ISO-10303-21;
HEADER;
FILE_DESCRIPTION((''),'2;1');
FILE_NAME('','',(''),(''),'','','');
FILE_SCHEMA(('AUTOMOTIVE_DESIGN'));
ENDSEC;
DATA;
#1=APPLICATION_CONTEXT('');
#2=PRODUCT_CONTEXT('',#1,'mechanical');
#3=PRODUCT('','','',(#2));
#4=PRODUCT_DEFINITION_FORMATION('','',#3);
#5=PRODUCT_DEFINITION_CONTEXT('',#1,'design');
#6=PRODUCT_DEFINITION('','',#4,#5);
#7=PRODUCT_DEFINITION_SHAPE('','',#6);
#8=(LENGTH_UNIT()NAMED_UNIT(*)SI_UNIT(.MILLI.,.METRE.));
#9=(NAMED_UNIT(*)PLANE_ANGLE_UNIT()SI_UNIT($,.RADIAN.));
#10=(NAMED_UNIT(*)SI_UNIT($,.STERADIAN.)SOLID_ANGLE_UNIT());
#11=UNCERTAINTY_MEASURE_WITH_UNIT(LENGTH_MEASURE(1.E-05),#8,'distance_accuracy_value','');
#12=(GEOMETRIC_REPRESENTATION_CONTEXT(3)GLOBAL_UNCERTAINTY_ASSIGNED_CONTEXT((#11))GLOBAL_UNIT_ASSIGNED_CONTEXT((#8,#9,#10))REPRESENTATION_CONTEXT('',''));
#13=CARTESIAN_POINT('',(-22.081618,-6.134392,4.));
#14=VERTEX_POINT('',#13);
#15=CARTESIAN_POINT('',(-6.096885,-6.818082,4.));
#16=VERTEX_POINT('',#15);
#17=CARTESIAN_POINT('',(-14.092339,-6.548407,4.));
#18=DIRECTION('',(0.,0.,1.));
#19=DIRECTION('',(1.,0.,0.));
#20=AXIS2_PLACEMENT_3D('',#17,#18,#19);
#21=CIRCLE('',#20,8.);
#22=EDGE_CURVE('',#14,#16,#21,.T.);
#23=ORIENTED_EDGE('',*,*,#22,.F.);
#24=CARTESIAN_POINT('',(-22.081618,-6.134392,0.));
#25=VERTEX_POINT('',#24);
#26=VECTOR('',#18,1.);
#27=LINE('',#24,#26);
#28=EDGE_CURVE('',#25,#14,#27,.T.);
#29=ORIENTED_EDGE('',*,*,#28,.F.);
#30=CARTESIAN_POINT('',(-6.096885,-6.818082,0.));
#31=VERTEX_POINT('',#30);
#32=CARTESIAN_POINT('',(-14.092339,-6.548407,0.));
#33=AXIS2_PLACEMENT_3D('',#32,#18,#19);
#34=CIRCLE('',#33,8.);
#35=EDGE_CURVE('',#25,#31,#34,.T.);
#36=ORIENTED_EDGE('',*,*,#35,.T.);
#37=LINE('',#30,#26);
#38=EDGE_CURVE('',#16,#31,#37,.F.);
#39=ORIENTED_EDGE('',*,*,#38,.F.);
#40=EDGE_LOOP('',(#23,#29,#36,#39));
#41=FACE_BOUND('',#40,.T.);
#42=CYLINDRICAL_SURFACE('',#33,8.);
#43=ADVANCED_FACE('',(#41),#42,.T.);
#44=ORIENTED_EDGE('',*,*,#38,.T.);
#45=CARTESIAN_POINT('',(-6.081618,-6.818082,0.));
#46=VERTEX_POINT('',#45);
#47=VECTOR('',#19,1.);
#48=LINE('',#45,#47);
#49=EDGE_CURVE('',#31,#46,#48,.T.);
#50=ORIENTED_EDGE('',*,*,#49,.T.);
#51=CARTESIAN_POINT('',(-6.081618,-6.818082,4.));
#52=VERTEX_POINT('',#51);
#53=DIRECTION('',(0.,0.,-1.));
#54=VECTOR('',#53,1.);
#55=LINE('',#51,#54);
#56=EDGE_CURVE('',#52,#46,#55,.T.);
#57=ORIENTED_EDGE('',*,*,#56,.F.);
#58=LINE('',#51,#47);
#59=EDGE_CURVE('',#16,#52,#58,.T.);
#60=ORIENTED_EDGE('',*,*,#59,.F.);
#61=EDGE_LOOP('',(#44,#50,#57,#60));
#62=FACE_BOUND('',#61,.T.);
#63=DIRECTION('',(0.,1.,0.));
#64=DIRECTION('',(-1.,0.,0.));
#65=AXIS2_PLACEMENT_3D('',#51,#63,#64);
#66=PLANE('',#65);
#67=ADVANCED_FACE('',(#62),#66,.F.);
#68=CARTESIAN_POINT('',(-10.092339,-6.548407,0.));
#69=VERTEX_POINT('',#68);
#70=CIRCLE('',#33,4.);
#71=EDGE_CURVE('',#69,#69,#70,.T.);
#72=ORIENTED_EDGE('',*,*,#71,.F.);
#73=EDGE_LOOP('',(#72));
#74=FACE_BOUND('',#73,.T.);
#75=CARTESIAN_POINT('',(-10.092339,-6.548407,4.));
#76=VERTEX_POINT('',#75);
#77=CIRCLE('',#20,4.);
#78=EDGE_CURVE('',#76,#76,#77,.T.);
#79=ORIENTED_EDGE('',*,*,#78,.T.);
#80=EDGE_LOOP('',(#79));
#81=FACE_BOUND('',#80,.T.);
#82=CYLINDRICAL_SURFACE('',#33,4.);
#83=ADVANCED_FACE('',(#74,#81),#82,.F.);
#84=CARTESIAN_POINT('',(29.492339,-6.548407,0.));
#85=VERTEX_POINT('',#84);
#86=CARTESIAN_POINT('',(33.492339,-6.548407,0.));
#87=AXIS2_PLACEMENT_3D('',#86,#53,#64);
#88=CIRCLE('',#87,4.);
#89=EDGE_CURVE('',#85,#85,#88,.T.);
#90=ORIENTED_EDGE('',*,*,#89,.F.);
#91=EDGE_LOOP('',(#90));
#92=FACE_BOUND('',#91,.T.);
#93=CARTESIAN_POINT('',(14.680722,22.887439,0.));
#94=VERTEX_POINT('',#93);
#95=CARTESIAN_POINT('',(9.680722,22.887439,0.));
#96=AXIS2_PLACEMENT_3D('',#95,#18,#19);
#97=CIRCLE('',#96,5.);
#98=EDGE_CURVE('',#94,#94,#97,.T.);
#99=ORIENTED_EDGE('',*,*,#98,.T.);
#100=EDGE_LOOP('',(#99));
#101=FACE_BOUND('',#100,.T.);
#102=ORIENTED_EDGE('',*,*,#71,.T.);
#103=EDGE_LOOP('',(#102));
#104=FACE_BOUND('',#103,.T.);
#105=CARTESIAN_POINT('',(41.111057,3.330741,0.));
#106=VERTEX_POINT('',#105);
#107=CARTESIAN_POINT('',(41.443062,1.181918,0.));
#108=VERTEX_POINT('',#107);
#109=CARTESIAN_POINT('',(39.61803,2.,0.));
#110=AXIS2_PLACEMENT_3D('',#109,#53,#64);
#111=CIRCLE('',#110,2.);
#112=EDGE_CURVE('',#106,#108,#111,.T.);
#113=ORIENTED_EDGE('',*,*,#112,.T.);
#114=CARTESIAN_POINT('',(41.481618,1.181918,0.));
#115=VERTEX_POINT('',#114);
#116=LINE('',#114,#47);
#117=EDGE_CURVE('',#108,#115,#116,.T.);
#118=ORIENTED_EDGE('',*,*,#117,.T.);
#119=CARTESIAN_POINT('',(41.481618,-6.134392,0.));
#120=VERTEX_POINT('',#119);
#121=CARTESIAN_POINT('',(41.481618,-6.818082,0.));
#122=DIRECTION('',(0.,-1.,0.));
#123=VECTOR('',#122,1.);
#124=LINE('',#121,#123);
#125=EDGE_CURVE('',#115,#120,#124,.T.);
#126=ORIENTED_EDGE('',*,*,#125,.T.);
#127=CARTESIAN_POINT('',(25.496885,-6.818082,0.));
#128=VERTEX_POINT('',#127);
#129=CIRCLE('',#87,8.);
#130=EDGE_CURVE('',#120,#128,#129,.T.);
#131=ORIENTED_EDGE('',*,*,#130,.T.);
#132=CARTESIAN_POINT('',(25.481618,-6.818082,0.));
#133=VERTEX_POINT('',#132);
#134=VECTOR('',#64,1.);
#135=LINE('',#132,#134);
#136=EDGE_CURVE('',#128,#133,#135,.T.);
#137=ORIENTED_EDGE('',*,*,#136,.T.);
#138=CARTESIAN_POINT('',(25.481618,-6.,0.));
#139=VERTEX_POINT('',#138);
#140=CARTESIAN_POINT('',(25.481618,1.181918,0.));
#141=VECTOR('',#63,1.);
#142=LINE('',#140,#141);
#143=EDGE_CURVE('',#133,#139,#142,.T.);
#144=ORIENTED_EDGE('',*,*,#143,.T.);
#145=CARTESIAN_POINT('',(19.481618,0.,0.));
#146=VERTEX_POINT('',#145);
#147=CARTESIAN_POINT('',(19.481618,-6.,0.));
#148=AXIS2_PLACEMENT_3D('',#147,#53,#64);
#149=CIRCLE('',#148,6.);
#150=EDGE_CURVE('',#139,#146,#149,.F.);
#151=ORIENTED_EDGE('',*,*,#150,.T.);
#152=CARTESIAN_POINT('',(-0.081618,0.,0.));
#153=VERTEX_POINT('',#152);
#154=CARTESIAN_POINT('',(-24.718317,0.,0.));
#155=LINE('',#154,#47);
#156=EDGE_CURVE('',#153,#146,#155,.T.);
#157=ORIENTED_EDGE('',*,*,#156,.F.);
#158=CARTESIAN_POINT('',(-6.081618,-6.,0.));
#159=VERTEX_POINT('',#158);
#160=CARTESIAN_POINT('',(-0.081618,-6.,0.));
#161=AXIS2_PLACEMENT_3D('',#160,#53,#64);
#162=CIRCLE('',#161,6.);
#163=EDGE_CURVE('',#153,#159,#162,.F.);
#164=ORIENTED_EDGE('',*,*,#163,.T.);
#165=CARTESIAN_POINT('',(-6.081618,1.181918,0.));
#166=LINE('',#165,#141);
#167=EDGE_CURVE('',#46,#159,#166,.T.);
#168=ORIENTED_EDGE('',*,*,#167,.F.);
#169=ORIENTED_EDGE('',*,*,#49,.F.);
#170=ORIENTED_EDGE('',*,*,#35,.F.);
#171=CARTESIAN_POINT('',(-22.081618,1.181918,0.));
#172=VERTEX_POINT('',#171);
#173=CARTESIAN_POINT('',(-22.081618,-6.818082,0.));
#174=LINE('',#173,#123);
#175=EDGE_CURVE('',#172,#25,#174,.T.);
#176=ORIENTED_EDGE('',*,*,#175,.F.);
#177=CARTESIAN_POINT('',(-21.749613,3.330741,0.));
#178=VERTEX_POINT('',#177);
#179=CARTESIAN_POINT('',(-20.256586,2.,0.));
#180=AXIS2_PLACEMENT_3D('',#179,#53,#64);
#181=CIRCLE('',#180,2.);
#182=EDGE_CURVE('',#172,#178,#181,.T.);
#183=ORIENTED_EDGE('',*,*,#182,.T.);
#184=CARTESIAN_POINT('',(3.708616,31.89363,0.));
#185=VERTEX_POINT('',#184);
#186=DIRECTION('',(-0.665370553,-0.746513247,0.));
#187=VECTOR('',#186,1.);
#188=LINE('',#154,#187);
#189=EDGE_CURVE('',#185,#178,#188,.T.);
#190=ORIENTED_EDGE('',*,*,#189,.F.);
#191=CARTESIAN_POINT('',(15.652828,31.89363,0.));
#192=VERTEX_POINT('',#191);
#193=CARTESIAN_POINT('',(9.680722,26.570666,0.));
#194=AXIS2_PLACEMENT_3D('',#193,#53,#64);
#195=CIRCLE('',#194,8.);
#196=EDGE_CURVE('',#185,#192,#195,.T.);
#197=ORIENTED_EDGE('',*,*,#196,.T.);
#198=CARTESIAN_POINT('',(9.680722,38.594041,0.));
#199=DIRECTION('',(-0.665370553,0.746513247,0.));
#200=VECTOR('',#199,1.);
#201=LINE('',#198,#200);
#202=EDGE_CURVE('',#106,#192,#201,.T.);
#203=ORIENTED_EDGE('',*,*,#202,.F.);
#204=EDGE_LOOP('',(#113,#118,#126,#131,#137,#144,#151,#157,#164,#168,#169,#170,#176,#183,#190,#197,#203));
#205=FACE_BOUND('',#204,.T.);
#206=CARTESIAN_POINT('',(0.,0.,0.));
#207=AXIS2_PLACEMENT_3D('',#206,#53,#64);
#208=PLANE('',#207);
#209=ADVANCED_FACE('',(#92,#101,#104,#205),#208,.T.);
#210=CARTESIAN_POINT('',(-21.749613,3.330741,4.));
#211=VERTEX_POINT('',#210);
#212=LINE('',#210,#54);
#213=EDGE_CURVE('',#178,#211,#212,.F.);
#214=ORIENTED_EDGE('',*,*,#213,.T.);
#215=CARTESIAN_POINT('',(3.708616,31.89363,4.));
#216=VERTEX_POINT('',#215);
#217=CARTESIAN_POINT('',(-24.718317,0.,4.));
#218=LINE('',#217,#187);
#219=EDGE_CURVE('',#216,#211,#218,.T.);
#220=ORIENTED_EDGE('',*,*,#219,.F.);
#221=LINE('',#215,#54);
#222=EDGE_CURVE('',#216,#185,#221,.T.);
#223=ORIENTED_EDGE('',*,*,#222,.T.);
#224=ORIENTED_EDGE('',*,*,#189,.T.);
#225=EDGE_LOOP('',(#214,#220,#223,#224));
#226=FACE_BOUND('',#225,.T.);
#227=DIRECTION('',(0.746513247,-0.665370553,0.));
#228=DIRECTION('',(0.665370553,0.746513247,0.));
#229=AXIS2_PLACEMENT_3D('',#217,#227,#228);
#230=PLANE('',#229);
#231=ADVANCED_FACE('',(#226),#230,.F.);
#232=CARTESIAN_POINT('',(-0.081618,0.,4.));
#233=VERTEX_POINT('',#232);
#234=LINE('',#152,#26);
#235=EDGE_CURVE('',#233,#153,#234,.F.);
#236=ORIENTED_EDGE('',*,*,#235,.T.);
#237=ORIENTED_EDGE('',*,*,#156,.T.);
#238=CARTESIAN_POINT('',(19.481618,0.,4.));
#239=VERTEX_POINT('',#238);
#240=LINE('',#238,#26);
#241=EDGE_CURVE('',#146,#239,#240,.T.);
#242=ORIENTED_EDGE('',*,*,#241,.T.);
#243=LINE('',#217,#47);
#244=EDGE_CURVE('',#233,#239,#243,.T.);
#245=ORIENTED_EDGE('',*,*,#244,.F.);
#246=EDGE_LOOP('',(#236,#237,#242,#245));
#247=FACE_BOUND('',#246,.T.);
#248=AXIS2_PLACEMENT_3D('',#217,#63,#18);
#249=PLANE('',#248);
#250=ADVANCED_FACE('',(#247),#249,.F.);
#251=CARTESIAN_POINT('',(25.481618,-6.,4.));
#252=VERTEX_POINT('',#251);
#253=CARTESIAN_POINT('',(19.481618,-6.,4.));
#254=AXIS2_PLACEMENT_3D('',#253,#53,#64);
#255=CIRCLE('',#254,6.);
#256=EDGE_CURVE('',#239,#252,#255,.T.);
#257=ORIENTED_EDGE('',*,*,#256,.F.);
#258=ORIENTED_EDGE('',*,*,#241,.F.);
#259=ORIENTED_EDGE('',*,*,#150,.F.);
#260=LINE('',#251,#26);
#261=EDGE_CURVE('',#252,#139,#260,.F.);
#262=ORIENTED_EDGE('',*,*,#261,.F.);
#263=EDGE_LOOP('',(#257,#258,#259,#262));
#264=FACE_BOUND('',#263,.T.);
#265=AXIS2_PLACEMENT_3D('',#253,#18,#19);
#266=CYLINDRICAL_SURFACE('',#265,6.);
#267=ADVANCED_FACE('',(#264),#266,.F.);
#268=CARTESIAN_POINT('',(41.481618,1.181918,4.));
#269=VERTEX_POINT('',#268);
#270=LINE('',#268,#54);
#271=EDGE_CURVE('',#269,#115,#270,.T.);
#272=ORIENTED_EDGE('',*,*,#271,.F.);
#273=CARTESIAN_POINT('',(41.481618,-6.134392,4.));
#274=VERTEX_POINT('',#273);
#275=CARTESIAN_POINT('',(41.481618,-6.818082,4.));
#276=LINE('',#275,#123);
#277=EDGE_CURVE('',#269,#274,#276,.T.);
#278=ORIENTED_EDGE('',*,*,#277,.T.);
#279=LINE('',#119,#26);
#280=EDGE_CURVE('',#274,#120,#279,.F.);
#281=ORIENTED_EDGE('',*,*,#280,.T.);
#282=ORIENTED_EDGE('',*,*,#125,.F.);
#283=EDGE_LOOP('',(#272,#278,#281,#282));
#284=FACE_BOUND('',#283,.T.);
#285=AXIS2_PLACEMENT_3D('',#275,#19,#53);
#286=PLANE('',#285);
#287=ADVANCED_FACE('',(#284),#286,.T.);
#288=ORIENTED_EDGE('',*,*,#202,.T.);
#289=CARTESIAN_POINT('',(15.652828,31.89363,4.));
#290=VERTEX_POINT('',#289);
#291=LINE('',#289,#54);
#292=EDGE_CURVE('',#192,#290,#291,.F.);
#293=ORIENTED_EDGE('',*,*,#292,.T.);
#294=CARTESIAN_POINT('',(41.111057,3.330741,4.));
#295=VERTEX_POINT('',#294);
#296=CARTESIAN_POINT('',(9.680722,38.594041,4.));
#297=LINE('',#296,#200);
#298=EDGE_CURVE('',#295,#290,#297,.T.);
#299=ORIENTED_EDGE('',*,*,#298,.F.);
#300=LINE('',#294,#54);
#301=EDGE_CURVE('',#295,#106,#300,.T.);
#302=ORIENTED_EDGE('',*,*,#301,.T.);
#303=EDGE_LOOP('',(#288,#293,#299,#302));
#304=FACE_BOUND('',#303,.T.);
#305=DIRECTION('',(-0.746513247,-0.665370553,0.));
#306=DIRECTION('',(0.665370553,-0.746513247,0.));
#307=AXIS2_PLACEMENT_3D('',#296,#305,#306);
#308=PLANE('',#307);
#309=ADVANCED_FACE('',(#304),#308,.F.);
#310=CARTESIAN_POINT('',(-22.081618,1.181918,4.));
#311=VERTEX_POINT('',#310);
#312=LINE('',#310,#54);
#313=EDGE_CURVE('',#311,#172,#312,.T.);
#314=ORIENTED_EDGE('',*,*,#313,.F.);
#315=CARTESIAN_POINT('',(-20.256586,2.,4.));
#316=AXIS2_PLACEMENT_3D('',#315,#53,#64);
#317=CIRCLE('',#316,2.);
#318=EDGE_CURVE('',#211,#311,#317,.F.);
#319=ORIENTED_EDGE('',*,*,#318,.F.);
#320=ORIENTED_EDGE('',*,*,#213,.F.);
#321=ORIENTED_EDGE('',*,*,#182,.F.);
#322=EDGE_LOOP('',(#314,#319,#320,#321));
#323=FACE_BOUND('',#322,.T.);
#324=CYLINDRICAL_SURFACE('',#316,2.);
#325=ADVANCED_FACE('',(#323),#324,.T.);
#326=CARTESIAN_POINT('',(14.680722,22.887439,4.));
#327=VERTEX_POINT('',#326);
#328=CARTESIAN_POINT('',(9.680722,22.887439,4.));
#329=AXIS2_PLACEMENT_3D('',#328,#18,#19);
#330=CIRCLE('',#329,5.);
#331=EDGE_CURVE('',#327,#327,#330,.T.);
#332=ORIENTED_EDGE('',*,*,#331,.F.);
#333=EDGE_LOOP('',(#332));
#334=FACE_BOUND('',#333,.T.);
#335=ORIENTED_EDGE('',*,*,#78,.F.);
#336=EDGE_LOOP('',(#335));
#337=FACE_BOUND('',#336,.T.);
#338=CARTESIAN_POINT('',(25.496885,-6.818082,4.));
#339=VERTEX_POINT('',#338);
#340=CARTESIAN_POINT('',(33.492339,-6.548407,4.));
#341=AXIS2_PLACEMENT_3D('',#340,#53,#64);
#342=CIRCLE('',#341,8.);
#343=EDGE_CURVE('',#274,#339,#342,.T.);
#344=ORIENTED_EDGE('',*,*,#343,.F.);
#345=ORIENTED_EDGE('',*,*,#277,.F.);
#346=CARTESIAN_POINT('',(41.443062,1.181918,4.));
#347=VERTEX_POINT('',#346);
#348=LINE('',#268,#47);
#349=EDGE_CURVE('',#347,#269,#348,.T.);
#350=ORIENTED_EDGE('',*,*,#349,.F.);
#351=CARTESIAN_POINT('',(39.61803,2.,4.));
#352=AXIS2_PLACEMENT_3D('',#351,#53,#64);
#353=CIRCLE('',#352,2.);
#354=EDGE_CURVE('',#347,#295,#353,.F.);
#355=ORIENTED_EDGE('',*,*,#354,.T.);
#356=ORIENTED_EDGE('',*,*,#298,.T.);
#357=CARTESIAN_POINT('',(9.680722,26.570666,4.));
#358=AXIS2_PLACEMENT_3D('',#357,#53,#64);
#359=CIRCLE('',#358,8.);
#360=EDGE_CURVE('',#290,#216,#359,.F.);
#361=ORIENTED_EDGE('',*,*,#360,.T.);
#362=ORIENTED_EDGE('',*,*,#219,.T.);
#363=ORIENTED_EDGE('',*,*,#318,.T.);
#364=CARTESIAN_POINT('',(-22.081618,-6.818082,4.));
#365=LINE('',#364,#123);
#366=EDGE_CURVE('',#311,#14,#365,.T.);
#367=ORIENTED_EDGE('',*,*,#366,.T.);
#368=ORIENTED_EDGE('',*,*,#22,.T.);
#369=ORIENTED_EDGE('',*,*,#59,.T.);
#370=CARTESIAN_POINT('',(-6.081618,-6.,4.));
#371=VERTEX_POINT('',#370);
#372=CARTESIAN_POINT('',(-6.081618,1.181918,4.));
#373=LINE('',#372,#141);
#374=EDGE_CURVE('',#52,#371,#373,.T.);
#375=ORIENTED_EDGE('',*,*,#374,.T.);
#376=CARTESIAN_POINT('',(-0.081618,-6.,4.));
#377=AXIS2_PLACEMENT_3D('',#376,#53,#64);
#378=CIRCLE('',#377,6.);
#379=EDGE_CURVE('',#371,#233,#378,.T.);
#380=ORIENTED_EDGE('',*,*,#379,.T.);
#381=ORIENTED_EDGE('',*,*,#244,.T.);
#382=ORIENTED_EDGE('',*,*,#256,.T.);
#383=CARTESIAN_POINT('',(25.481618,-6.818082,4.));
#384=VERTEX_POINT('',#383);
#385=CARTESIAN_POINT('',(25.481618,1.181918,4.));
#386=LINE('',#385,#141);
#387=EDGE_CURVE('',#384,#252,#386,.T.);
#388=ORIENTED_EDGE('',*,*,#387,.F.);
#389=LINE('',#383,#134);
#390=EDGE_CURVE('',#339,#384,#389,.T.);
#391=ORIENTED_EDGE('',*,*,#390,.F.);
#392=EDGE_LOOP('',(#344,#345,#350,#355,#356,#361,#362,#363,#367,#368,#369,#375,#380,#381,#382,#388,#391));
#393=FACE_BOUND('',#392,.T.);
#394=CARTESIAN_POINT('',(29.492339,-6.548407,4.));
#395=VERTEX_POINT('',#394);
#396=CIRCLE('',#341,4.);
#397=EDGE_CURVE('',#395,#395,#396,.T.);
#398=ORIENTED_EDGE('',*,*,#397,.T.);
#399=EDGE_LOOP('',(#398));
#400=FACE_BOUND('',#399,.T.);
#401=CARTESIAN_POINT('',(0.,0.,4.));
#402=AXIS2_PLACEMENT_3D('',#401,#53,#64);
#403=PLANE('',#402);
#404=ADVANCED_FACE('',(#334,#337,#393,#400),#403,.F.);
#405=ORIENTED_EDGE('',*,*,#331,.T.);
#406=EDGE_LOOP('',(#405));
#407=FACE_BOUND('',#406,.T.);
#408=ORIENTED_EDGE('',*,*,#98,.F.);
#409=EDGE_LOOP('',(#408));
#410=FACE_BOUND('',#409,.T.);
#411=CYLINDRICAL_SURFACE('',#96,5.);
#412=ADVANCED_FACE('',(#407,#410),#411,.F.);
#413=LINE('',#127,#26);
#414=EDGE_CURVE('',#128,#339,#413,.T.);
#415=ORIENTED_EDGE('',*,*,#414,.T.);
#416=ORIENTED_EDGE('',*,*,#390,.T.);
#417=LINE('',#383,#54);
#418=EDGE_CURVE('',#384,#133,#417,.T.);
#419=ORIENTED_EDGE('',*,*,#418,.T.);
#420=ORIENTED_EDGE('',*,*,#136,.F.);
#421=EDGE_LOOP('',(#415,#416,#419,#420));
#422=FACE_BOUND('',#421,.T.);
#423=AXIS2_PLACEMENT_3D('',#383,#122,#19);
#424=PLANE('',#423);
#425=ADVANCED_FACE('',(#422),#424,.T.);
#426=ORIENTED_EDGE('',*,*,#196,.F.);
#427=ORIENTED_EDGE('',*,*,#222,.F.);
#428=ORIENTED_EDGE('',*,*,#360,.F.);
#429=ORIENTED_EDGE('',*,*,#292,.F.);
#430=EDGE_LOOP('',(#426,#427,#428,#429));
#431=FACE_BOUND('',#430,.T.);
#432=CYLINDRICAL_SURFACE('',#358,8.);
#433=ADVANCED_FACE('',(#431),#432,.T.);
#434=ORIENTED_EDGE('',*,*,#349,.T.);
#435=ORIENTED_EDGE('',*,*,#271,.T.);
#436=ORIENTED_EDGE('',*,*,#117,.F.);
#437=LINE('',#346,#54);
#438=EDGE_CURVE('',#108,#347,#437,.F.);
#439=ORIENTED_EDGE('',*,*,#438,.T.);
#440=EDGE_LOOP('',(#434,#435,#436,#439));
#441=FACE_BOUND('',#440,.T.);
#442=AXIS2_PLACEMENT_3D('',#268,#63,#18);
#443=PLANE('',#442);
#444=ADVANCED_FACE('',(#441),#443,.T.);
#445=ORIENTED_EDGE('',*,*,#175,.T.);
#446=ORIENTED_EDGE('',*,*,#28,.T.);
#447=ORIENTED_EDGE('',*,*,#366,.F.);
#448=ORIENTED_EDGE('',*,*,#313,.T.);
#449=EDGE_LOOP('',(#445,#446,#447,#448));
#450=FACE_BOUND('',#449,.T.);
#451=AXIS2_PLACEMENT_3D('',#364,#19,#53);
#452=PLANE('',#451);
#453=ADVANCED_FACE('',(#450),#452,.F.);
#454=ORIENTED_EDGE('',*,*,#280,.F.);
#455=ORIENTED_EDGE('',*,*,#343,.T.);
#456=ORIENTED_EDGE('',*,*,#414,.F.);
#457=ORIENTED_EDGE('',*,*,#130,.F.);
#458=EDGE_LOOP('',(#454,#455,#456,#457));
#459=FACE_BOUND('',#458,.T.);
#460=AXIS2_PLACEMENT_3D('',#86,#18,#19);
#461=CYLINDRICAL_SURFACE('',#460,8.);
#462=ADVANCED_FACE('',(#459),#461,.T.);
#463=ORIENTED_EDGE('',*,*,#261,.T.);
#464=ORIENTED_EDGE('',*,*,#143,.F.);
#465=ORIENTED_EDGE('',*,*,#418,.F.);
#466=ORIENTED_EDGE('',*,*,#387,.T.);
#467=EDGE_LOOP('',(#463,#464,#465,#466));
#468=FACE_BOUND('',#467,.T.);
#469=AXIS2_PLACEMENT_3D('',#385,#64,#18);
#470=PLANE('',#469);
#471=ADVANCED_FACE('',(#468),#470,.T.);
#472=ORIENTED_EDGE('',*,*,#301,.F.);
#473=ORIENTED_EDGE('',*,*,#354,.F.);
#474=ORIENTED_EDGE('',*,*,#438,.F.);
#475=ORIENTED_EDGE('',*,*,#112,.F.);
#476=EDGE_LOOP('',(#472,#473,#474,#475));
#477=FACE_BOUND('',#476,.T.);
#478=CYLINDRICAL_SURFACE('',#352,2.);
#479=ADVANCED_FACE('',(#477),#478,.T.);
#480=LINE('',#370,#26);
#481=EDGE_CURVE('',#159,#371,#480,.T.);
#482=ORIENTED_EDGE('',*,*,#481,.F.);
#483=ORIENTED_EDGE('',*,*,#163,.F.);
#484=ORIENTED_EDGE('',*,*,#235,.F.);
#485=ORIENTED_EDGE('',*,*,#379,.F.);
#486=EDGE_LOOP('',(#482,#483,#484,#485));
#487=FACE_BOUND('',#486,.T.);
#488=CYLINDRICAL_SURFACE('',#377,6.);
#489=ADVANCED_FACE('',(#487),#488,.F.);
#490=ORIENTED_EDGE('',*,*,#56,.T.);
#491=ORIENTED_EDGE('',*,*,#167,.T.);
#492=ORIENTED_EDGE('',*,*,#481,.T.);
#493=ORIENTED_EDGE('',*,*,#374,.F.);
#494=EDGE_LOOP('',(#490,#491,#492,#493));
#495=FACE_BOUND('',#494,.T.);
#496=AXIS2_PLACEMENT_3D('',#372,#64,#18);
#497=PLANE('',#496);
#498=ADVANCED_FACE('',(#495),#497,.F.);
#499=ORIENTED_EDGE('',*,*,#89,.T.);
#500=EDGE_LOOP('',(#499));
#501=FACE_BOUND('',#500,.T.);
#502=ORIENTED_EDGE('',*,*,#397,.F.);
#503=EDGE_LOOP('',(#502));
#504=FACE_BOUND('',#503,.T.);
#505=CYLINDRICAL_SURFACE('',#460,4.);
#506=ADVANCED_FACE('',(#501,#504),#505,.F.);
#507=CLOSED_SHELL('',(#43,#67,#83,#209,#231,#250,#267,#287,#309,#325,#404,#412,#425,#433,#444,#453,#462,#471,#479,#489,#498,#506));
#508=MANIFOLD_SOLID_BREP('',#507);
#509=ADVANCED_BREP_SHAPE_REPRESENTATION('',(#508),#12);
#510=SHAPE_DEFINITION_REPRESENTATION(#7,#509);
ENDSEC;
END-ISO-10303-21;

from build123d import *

# Parameters (mm, degrees)
BOSS_EXTRUDE1_DEPTH  = 4
FILLET1_R            = 8
FILLET2_R            = 2
SKETCH8_R            = 5
CUT_EXTRUDE1_DEPTH   = 4
SKETCH3_W            = 16
SKETCH3_H            = 8
BOSS_EXTRUDE2_DEPTH  = 4
SKETCH10_R           = 8
BOSS_EXTRUDE3_DEPTH  = 4
FILLET3_R            = 6
SKETCH11_R           = 4
CUT_EXTRUDE2_DEPTH   = 4
FILLET3_OF_MIRROR1_R = 6


with BuildPart() as part:
    # Sketch2 → Boss-Extrude1 (new body)
    with BuildSketch(Plane.XY):
        Polygon((-24.718317205, 0), (44.079761222, 0), (9.680722008, 38.594041061), align=None)
    extrude(amount=BOSS_EXTRUDE1_DEPTH)

    # Fillet1
    fillet1_edges = [part.edges().sort_by_distance(p)[0] for p in [
        (9.680722008, 38.594041061, 2),
    ]]
    fillet(fillet1_edges, radius=FILLET1_R)

    # Fillet2
    fillet2_edges = [part.edges().sort_by_distance(p)[0] for p in [
        (44.079761222, 0, 2),
        (-24.718317205, 0, 2),
    ]]
    fillet(fillet2_edges, radius=FILLET2_R)

    # Sketch8 → Cut-Extrude1 (cut)
    with BuildSketch(Plane.XY.offset(4)):
        with Locations((9.680722008, 22.887439188)):
            Circle(SKETCH8_R)
    extrude(amount=-CUT_EXTRUDE1_DEPTH, mode=Mode.SUBTRACT)

    # Sketch3 → Boss-Extrude2 (add)
    with BuildSketch(Plane.XY):
        with Locations((-14.081618267, -2.818082449)):
            Rectangle(SKETCH3_W, SKETCH3_H)
    boss_extrude2 = extrude(amount=BOSS_EXTRUDE2_DEPTH)

    # Sketch10 → Boss-Extrude3 (add)
    with BuildSketch(Plane.XY.offset(4)):
        with Locations((-14.092338513, -6.548407243)):
            Circle(SKETCH10_R)
    boss_extrude3 = extrude(amount=-BOSS_EXTRUDE3_DEPTH)

    # Fillet3
    fillet3_edges = [part.edges().sort_by_distance(p)[0] for p in [
        (-6.081618267, 0, 2),
    ]]
    fillet(fillet3_edges, radius=FILLET3_R)

    # Sketch11 → Cut-Extrude2 (cut)
    with BuildSketch(Plane.XY.offset(4)):
        with Locations((-14.092338513, -6.548407243)):
            Circle(SKETCH11_R)
    cut_extrude2 = extrude(amount=-CUT_EXTRUDE2_DEPTH, mode=Mode.SUBTRACT)

    # Mirror1: Boss-Extrude2, Boss-Extrude3, Cut-Extrude2 across plane
    add(boss_extrude2.mirror(Plane(origin=(9.7, 0, 0), x_dir=(0, 0, 1), z_dir=(1, 0, 0))))
    add(boss_extrude3.mirror(Plane(origin=(9.7, 0, 0), x_dir=(0, 0, 1), z_dir=(1, 0, 0))))
    add(cut_extrude2.mirror(Plane(origin=(9.7, 0, 0), x_dir=(0, 0, 1), z_dir=(1, 0, 0))), mode=Mode.SUBTRACT)

    # Fillet3 of Mirror1
    fillet3_of_mirror1_edges = [part.edges().sort_by_distance(p)[0] for p in [
        (25.481618267, 0, 2),
    ]]
    fillet(fillet3_of_mirror1_edges, radius=FILLET3_OF_MIRROR1_R)


solid = part.part
